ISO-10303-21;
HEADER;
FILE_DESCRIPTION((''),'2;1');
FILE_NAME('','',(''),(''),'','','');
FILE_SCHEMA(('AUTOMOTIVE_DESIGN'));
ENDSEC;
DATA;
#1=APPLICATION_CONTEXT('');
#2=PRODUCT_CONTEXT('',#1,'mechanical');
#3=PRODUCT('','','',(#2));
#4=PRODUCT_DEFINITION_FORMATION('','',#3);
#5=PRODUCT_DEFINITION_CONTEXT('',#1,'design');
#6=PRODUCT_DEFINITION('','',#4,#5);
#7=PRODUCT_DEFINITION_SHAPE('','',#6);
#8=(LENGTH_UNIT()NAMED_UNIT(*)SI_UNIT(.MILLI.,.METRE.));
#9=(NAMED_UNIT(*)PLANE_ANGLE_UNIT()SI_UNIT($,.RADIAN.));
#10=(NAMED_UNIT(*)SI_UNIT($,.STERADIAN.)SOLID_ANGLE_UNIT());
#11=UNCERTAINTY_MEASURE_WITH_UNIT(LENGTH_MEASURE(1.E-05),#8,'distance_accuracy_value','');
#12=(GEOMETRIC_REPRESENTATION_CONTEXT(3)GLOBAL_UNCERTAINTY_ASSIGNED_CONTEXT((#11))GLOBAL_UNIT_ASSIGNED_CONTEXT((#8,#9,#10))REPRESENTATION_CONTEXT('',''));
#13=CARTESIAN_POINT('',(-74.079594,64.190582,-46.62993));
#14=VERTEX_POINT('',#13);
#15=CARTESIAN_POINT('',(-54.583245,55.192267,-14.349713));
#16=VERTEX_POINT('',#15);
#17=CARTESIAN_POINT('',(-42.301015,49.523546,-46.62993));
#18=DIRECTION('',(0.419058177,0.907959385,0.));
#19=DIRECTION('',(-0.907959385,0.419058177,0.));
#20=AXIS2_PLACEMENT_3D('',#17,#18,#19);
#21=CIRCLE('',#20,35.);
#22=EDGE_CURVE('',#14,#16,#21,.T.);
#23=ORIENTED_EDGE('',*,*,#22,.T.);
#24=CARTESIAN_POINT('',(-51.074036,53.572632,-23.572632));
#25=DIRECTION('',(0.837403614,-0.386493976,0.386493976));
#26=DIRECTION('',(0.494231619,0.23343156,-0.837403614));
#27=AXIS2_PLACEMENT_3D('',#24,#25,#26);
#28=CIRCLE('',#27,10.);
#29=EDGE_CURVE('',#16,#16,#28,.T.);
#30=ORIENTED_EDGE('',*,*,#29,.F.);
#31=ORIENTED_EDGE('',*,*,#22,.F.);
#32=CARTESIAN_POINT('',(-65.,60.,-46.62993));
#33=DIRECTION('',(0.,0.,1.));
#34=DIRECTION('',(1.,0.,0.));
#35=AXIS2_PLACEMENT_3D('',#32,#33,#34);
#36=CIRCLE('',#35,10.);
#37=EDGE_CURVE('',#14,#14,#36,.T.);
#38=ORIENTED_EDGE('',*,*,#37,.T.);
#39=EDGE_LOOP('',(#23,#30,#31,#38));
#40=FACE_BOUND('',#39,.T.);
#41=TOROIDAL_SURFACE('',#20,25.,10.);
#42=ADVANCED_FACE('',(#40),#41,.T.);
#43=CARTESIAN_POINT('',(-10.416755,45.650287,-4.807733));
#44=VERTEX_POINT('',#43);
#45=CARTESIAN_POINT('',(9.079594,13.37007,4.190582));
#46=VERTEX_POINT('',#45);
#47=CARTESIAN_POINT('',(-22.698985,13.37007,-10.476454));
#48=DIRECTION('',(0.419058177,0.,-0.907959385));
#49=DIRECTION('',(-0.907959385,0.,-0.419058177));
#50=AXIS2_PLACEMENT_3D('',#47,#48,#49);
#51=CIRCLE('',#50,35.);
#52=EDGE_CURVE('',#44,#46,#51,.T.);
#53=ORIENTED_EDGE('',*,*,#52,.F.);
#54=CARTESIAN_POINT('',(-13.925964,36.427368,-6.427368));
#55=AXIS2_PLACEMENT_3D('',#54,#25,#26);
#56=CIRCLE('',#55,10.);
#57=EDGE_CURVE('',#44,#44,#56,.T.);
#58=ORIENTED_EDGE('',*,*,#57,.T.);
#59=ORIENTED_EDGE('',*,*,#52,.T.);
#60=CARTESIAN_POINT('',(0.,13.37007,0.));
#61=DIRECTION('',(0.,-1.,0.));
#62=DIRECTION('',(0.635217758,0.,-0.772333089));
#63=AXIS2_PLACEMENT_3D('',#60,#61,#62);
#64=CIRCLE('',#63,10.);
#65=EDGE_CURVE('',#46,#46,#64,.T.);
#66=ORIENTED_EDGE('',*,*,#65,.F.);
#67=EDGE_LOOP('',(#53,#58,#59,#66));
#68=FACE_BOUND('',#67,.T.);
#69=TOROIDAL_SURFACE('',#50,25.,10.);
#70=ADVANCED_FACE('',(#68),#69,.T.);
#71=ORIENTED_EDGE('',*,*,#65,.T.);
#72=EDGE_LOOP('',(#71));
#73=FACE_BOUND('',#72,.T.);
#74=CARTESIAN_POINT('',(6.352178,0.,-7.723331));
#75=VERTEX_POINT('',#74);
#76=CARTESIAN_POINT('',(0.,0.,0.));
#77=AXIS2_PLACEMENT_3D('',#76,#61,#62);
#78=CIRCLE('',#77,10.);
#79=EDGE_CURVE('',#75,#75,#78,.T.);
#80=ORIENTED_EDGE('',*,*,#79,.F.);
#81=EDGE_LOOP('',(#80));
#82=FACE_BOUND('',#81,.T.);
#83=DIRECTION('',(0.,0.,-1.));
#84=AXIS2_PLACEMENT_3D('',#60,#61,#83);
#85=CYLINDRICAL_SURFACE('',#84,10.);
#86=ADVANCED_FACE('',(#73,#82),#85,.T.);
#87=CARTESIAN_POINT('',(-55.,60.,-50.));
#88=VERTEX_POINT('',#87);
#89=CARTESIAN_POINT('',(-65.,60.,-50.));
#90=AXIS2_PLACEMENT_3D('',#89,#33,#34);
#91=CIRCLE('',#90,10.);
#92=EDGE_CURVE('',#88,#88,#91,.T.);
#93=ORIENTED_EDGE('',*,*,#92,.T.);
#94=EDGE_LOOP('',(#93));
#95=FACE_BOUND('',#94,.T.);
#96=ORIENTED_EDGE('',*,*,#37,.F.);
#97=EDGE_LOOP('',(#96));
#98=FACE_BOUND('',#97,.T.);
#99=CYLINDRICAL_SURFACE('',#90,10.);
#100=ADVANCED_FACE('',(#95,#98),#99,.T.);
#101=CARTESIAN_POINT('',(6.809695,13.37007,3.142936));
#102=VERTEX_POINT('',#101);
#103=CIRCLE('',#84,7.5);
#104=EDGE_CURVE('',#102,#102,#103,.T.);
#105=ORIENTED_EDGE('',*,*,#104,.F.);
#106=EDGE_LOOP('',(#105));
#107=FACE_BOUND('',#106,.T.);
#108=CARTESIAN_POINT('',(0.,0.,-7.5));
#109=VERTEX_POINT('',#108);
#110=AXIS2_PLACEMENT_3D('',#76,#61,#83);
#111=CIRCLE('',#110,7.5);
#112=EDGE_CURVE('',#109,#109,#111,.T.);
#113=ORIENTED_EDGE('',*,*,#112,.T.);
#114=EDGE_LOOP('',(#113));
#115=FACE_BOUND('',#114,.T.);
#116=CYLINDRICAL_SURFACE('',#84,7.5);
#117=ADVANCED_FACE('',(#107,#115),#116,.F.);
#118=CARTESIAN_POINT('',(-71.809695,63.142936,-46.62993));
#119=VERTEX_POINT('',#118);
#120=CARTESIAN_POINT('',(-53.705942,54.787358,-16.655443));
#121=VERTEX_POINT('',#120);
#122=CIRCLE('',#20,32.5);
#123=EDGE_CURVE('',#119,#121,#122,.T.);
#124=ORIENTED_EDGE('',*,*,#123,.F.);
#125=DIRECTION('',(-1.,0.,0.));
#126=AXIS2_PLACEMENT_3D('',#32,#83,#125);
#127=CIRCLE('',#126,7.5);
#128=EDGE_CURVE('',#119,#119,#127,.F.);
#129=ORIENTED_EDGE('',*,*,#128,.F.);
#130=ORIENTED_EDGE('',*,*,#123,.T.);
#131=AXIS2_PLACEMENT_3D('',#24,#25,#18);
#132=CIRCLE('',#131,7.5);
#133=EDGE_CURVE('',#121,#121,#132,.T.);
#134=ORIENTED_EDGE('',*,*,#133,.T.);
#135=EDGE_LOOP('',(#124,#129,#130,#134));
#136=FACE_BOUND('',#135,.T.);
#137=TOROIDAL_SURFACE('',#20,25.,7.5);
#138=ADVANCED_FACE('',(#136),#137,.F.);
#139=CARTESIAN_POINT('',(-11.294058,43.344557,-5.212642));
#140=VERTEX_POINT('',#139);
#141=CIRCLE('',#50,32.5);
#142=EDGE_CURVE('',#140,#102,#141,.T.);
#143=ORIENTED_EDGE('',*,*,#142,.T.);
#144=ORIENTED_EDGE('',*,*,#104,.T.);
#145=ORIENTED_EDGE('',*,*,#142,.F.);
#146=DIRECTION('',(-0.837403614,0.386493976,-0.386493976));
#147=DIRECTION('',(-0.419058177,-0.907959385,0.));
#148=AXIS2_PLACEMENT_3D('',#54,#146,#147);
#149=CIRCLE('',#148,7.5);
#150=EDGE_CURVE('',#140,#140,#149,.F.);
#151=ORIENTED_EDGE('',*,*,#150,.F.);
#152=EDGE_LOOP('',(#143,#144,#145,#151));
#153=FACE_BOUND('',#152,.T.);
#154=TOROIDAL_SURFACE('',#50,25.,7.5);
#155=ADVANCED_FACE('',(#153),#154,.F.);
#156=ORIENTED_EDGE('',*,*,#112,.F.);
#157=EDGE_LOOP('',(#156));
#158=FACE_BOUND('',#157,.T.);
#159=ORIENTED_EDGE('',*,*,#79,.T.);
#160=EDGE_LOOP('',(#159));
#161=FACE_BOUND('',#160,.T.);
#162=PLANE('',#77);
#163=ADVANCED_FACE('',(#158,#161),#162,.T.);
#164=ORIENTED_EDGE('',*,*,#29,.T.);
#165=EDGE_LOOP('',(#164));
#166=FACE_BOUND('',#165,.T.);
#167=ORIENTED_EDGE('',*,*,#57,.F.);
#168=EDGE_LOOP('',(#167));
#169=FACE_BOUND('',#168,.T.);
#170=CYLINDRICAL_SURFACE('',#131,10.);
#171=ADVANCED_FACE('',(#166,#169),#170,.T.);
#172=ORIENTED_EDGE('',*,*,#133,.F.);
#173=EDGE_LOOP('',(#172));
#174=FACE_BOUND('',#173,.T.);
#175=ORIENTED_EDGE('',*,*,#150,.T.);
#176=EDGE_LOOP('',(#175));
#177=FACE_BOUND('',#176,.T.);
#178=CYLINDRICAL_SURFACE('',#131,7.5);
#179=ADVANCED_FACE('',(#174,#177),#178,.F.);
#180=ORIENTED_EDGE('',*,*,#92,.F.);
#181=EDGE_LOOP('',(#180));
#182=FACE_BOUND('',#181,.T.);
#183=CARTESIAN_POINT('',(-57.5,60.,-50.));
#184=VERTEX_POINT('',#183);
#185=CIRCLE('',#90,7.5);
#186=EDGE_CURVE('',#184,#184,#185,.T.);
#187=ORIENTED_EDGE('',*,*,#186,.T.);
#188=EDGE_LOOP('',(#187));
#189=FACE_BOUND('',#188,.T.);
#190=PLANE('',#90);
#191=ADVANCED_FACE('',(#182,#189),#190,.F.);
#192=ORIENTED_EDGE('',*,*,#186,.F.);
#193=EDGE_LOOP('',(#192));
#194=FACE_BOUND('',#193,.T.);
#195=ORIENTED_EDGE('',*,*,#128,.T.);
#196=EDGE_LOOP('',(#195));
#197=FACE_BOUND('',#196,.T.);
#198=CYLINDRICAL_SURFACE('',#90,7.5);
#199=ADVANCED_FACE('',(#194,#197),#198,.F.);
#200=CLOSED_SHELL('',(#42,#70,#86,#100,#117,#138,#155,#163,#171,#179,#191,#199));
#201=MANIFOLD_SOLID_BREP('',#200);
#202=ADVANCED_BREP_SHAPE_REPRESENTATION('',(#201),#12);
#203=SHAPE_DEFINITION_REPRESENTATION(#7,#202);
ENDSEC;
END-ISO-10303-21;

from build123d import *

# Parameters (mm, degrees)
SWEEP_1_PROFILE_R   = 10
SWEEP_1_PROFILE_R_2 = 7.5


with BuildPart() as part:
    # 扫描-薄件1: sweep along a curve in space
    with BuildLine() as sweep_1_path:
        Line((0, 0, 0), (0, 13.370069625, 0))
        ThreePointArc((0, 13.370069625, 0), (-3.799479767, 27.216391611, -1.753606046), (-13.925963802, 36.427367909, -6.427367909))
        Line((-51.074036198, 53.572632091, -23.572632091), (-13.925963802, 36.427367909, -6.427367909))
        ThreePointArc((-65, 60, -46.629930375), (-61.200520233, 58.246393954, -32.783608389), (-51.074036198, 53.572632091, -23.572632091))
        Line((-65, 60, -50), (-65, 60, -46.629930375))
    # 扫描-薄件1 profile (on start of the path) → 扫描-薄件1 (sweep)
    with BuildSketch(Plane.ZX):
        Circle(SWEEP_1_PROFILE_R)
        Circle(SWEEP_1_PROFILE_R_2, mode=Mode.SUBTRACT)
    sweep(path=sweep_1_path.line)


solid = part.part
